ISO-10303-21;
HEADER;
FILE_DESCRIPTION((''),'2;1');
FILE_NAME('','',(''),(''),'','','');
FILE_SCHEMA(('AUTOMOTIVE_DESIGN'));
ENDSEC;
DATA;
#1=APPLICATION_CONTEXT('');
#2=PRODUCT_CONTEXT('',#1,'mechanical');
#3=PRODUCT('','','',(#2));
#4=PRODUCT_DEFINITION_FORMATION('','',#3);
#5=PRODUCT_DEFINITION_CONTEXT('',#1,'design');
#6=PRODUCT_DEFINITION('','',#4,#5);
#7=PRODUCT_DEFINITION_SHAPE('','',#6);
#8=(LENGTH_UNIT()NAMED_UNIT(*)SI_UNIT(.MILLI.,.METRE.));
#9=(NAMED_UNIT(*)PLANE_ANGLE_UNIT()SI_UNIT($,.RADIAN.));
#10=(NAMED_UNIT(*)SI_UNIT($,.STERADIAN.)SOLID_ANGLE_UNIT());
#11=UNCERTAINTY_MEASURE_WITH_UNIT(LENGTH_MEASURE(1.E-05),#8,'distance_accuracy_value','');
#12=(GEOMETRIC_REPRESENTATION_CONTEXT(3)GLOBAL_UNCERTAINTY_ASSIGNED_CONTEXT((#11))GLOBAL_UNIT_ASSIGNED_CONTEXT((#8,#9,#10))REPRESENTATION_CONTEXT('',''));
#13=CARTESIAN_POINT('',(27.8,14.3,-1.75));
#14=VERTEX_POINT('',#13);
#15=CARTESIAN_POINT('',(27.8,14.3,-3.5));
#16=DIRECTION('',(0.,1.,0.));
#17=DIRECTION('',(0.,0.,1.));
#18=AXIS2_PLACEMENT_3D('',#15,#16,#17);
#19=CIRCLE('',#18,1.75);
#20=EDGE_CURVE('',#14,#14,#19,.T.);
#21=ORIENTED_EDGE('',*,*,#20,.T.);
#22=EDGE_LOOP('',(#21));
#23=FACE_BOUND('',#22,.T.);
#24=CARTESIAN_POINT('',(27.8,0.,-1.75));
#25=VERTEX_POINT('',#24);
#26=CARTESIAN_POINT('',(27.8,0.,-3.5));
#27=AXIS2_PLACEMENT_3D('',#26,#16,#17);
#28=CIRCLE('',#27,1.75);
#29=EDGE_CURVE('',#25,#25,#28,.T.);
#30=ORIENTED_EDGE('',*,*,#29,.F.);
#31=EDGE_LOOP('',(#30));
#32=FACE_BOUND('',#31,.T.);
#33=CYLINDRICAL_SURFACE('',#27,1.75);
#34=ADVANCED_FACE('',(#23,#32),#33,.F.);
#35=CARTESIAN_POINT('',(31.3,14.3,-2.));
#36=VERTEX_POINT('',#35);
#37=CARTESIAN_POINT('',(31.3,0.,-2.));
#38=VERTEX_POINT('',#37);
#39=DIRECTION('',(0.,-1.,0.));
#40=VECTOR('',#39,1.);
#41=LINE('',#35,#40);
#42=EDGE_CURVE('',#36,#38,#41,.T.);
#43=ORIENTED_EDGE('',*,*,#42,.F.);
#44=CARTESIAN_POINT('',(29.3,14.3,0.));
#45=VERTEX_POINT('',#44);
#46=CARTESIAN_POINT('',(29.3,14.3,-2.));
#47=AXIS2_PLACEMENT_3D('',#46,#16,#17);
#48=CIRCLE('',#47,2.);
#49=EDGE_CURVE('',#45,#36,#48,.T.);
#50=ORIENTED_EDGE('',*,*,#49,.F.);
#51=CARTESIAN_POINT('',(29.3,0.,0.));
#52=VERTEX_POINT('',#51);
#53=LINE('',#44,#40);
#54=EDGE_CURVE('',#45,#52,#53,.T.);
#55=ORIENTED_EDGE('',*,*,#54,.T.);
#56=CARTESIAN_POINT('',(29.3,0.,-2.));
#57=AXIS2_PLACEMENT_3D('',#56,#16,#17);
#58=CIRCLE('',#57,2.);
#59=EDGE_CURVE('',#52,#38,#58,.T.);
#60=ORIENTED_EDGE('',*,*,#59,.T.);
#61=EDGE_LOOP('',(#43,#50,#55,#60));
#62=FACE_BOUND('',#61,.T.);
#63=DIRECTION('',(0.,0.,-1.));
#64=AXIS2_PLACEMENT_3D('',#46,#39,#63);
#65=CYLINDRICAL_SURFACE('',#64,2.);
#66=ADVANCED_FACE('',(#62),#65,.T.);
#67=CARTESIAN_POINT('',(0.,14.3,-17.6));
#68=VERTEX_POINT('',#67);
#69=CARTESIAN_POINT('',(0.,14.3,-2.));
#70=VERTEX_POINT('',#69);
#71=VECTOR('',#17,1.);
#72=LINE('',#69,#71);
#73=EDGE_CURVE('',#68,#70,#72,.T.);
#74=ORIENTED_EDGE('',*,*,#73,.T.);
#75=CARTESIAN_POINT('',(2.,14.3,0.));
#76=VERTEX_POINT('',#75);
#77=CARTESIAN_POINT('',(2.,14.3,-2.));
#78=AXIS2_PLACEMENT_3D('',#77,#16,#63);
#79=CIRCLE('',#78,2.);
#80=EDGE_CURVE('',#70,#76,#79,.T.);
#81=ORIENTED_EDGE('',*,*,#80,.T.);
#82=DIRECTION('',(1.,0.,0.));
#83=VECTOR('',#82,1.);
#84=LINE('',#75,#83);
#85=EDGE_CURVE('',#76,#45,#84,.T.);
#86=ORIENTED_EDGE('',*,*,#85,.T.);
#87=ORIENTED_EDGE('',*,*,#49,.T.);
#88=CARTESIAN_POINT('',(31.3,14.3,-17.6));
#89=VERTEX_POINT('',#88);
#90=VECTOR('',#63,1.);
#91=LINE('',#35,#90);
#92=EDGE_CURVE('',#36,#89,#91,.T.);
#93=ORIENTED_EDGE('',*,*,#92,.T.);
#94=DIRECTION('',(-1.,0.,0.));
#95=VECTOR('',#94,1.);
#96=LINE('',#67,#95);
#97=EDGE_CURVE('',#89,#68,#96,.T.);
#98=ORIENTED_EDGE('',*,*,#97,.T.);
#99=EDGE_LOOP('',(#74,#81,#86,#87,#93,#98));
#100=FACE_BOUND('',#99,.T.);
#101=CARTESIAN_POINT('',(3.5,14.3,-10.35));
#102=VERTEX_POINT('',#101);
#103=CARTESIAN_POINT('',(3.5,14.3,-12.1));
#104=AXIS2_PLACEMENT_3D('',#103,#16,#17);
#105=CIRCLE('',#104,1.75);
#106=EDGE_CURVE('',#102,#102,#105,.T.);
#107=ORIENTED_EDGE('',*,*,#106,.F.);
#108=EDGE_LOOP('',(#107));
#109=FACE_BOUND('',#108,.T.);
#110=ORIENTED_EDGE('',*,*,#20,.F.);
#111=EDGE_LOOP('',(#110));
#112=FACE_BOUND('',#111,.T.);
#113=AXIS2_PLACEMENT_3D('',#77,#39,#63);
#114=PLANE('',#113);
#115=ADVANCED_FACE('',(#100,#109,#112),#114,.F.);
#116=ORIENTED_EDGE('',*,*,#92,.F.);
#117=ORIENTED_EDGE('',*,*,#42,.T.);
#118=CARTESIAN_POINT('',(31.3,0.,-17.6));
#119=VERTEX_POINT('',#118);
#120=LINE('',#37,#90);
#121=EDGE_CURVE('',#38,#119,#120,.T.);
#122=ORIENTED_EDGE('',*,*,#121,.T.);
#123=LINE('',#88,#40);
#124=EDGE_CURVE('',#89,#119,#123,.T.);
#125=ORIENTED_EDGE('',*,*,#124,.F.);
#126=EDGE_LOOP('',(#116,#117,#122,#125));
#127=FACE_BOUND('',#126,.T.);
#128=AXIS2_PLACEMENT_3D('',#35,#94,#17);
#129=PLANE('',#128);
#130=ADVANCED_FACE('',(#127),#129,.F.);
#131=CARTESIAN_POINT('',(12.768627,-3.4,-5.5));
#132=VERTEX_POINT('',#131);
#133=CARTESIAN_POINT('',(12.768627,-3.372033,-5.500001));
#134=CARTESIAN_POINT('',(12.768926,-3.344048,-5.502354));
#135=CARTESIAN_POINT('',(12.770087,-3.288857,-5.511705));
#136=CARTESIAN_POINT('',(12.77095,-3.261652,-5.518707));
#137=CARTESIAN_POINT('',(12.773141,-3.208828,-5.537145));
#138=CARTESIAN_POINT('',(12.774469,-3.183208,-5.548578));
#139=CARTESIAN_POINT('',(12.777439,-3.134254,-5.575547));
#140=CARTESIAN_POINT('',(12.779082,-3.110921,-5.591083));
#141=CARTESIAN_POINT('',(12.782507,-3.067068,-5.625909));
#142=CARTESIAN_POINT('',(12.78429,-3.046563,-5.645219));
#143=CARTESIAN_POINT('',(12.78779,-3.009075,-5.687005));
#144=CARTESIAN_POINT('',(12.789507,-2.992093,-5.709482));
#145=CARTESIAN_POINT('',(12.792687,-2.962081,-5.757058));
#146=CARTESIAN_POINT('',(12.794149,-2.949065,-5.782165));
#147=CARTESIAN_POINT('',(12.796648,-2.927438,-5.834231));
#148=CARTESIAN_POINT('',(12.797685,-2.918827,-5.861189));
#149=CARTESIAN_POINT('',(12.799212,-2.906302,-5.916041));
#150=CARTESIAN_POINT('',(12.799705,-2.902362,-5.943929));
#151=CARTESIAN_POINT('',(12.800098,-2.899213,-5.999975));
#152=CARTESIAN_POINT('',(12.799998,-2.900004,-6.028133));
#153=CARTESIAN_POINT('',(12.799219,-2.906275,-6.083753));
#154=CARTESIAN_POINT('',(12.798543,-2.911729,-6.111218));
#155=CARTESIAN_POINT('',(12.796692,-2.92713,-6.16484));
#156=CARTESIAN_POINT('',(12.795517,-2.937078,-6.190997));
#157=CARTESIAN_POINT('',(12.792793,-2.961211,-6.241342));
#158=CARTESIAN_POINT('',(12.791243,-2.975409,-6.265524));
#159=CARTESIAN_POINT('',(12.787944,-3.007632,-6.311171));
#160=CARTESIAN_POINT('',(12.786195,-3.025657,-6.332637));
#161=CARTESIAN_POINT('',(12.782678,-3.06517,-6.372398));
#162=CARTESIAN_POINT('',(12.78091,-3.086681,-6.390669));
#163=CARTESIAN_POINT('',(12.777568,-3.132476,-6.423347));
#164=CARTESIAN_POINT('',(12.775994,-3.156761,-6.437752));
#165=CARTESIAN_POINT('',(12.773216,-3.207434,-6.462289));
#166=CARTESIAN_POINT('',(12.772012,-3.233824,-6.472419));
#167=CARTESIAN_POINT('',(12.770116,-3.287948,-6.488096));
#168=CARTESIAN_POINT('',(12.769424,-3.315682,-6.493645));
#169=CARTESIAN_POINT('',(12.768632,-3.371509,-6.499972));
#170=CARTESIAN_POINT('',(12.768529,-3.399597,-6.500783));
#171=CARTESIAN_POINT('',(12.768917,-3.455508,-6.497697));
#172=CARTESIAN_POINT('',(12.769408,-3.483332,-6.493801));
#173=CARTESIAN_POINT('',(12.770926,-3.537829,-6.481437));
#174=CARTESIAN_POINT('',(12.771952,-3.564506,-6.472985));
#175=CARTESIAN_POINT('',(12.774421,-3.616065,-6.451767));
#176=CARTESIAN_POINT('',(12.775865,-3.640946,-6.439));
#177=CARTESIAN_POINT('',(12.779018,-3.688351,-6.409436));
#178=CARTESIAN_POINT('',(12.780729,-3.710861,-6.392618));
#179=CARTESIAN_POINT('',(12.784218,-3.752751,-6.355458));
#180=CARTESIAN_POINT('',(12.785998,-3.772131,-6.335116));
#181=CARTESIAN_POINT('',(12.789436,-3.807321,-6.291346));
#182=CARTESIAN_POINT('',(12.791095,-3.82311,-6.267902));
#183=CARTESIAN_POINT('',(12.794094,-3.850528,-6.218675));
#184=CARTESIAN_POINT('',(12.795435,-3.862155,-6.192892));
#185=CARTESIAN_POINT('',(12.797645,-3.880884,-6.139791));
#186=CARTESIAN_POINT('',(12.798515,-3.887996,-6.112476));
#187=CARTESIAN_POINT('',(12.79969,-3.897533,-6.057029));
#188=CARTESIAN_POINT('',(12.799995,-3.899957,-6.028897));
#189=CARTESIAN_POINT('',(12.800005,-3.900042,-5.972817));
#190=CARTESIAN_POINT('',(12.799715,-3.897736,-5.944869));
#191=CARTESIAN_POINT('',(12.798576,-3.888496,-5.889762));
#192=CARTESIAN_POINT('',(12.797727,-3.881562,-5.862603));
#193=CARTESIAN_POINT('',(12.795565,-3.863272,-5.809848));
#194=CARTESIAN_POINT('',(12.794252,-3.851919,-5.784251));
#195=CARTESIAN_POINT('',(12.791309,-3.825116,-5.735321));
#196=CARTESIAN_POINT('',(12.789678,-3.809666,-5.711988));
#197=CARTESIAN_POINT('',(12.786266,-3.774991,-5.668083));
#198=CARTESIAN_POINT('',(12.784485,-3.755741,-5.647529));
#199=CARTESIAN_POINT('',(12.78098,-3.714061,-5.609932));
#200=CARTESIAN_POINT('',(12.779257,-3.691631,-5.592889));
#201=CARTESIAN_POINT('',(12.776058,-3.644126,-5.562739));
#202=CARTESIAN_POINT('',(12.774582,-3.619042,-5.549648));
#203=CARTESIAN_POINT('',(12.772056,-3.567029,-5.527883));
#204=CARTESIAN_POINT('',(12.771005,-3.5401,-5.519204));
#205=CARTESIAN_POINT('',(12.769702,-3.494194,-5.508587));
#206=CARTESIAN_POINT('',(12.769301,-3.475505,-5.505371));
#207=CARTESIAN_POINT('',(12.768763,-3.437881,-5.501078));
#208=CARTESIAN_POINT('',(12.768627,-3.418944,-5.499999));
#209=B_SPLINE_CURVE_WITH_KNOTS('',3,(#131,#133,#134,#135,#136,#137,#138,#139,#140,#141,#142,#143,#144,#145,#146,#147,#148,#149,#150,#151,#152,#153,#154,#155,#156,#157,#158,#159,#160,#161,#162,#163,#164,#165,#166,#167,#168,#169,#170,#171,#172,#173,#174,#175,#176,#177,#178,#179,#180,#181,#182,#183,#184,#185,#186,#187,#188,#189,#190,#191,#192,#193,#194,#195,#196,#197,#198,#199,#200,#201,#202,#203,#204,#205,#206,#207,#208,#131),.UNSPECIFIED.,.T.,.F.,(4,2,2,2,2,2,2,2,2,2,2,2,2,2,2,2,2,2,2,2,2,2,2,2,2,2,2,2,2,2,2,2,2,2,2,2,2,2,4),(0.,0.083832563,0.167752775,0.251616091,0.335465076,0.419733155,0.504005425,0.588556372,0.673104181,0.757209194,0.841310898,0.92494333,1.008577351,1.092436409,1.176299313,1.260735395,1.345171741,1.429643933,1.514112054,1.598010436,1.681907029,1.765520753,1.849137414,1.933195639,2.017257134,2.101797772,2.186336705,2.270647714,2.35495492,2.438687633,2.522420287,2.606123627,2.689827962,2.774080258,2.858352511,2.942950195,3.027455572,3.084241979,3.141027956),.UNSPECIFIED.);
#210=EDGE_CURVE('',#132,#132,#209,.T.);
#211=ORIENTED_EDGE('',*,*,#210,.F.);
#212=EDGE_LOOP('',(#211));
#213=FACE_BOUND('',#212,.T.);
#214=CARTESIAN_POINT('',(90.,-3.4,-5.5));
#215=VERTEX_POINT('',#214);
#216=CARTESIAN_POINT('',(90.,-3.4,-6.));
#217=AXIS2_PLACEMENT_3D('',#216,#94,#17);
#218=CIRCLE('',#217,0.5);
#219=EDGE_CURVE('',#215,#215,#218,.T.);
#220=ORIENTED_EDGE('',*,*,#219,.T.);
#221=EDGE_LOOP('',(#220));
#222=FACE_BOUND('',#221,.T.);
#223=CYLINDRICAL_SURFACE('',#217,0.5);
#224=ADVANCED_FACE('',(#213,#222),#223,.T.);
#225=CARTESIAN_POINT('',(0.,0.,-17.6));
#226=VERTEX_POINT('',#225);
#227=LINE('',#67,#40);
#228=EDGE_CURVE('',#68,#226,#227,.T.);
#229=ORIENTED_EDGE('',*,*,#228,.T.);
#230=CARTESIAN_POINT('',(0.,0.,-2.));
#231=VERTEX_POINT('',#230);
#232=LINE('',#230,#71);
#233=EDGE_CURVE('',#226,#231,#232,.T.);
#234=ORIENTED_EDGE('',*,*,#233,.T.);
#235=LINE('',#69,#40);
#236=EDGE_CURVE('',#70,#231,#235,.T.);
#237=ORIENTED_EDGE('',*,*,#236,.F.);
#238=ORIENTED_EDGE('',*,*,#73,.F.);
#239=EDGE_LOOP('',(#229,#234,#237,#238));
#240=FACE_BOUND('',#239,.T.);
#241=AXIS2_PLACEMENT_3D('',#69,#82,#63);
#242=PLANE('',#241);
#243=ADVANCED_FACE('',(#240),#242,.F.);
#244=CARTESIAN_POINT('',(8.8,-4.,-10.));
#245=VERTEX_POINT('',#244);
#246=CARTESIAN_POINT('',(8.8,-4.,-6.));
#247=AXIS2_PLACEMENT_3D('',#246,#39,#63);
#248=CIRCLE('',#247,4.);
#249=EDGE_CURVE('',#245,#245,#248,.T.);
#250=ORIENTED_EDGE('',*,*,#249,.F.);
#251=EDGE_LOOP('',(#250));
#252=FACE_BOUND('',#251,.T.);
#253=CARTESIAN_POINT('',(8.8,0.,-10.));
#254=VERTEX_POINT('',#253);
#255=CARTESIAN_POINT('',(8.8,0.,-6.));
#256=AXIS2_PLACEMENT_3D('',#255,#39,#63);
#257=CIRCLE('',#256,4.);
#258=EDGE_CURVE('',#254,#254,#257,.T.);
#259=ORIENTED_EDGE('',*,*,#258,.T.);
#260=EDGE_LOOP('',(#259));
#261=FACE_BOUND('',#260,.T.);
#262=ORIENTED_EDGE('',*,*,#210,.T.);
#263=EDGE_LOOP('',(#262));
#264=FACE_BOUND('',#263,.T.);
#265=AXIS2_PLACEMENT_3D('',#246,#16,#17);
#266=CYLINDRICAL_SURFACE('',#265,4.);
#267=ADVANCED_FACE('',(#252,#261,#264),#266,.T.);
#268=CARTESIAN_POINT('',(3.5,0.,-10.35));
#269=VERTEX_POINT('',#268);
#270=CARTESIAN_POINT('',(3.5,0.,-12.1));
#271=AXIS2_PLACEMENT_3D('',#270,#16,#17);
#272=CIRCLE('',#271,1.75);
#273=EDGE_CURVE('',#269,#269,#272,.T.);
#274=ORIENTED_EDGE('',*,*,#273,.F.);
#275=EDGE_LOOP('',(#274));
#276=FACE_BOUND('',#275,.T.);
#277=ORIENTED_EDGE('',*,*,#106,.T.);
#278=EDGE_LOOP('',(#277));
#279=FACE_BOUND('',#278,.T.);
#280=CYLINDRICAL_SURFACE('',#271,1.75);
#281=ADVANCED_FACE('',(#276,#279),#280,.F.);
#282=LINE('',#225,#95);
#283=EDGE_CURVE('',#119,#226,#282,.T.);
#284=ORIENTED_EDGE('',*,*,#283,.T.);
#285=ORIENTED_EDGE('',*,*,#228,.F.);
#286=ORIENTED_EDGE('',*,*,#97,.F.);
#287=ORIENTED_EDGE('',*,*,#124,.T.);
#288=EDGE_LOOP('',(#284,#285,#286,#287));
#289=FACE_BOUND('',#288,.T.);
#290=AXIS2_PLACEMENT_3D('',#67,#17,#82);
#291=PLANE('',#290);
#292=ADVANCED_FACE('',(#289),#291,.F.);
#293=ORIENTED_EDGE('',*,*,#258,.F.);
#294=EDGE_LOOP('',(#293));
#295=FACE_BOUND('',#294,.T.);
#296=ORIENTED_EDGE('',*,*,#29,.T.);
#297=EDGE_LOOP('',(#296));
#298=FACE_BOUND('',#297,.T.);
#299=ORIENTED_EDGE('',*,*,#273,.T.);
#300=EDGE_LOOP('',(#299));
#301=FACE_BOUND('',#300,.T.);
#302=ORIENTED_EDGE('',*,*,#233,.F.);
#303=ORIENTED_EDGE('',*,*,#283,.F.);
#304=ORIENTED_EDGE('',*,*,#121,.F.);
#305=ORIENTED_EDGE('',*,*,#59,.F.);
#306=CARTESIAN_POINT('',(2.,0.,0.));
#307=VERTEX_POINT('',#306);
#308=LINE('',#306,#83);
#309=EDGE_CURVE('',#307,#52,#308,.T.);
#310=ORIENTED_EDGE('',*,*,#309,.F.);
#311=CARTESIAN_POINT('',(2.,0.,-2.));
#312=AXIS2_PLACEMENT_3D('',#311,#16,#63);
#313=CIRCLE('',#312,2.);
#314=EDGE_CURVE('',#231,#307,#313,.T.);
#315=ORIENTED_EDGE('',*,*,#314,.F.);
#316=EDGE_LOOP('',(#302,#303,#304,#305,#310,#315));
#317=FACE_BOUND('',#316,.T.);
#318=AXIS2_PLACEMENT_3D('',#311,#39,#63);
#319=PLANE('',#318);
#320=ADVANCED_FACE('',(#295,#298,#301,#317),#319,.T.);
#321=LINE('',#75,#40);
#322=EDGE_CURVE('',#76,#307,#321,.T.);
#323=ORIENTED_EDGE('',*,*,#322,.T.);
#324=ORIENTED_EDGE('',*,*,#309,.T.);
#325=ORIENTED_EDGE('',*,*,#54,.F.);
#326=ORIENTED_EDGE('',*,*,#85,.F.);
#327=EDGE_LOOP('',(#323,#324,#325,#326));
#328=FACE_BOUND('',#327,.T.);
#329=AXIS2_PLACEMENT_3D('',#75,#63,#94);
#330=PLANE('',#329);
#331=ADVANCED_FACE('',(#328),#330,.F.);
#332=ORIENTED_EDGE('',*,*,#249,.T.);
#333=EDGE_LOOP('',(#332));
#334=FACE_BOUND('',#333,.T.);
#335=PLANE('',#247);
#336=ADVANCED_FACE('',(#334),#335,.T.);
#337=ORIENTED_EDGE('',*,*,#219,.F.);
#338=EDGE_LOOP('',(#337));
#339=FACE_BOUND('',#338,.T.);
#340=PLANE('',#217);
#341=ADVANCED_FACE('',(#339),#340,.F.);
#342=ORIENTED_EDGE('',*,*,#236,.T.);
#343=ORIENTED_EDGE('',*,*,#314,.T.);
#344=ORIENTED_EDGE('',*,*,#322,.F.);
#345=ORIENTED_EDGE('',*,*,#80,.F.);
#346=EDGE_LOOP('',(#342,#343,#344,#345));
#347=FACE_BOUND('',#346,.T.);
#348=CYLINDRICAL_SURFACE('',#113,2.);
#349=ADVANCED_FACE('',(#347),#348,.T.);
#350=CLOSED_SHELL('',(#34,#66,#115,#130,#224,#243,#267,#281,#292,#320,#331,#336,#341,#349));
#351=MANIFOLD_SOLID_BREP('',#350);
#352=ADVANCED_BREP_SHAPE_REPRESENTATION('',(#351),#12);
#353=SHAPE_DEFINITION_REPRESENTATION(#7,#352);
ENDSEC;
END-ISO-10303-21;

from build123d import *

# Parameters (mm, degrees)
EXTRUDE_1_DEPTH     = 14.3
SKETCH_2_R          = 1.75
CUT_EXTRUDE_1_DEPTH = 15.3
SKETCH_3_R          = 4
EXTRUDE_2_DEPTH     = 4
EXTRUDE_START       = -10
SKETCH_4_R          = 0.5
EXTRUDE_3_DEPTH     = 80


with BuildPart() as part:
    # 草圖1 → 填料-伸長1 (new body)
    with BuildSketch(Plane(origin=(0, 0, 0), x_dir=(1, 0, 0), z_dir=(0, 1, 0))):
        with BuildLine():
            Line((2, 0), (29.3, 0))
            ThreePointArc((29.3, 0), (30.714213562, 0.585786438), (31.3, 2))
            Line((31.3, 2), (31.3, 17.6))
            Line((31.3, 17.6), (0, 17.6))
            Line((0, 17.6), (0, 2))
            ThreePointArc((0, 2), (0.585786438, 0.585786438), (2, 0))
        make_face()
    extrude(amount=EXTRUDE_1_DEPTH)

    # 草圖2 → 除料-伸長1 (cut, through all)
    with BuildSketch(Plane(origin=(0, 14.3, 0), x_dir=(1, 0, 0), z_dir=(0, 1, 0))):
        with Locations((27.8, 3.5)):
            Circle(SKETCH_2_R)
        with Locations((3.5, 12.1)):
            Circle(SKETCH_2_R)
    extrude(amount=-CUT_EXTRUDE_1_DEPTH, mode=Mode.SUBTRACT)

    # 草圖3 → 填料-伸長2 (add)
    with BuildSketch(Plane.XZ):
        with Locations((8.8, -6)):
            Circle(SKETCH_3_R)
    extrude(amount=EXTRUDE_2_DEPTH)

    # 草圖4 → 填料-伸長3 (add)
    with BuildSketch(Plane.ZY.offset(EXTRUDE_START)):
        with Locations((-6, -3.4)):
            Circle(SKETCH_4_R)
    extrude(amount=-EXTRUDE_3_DEPTH)


solid = part.part
